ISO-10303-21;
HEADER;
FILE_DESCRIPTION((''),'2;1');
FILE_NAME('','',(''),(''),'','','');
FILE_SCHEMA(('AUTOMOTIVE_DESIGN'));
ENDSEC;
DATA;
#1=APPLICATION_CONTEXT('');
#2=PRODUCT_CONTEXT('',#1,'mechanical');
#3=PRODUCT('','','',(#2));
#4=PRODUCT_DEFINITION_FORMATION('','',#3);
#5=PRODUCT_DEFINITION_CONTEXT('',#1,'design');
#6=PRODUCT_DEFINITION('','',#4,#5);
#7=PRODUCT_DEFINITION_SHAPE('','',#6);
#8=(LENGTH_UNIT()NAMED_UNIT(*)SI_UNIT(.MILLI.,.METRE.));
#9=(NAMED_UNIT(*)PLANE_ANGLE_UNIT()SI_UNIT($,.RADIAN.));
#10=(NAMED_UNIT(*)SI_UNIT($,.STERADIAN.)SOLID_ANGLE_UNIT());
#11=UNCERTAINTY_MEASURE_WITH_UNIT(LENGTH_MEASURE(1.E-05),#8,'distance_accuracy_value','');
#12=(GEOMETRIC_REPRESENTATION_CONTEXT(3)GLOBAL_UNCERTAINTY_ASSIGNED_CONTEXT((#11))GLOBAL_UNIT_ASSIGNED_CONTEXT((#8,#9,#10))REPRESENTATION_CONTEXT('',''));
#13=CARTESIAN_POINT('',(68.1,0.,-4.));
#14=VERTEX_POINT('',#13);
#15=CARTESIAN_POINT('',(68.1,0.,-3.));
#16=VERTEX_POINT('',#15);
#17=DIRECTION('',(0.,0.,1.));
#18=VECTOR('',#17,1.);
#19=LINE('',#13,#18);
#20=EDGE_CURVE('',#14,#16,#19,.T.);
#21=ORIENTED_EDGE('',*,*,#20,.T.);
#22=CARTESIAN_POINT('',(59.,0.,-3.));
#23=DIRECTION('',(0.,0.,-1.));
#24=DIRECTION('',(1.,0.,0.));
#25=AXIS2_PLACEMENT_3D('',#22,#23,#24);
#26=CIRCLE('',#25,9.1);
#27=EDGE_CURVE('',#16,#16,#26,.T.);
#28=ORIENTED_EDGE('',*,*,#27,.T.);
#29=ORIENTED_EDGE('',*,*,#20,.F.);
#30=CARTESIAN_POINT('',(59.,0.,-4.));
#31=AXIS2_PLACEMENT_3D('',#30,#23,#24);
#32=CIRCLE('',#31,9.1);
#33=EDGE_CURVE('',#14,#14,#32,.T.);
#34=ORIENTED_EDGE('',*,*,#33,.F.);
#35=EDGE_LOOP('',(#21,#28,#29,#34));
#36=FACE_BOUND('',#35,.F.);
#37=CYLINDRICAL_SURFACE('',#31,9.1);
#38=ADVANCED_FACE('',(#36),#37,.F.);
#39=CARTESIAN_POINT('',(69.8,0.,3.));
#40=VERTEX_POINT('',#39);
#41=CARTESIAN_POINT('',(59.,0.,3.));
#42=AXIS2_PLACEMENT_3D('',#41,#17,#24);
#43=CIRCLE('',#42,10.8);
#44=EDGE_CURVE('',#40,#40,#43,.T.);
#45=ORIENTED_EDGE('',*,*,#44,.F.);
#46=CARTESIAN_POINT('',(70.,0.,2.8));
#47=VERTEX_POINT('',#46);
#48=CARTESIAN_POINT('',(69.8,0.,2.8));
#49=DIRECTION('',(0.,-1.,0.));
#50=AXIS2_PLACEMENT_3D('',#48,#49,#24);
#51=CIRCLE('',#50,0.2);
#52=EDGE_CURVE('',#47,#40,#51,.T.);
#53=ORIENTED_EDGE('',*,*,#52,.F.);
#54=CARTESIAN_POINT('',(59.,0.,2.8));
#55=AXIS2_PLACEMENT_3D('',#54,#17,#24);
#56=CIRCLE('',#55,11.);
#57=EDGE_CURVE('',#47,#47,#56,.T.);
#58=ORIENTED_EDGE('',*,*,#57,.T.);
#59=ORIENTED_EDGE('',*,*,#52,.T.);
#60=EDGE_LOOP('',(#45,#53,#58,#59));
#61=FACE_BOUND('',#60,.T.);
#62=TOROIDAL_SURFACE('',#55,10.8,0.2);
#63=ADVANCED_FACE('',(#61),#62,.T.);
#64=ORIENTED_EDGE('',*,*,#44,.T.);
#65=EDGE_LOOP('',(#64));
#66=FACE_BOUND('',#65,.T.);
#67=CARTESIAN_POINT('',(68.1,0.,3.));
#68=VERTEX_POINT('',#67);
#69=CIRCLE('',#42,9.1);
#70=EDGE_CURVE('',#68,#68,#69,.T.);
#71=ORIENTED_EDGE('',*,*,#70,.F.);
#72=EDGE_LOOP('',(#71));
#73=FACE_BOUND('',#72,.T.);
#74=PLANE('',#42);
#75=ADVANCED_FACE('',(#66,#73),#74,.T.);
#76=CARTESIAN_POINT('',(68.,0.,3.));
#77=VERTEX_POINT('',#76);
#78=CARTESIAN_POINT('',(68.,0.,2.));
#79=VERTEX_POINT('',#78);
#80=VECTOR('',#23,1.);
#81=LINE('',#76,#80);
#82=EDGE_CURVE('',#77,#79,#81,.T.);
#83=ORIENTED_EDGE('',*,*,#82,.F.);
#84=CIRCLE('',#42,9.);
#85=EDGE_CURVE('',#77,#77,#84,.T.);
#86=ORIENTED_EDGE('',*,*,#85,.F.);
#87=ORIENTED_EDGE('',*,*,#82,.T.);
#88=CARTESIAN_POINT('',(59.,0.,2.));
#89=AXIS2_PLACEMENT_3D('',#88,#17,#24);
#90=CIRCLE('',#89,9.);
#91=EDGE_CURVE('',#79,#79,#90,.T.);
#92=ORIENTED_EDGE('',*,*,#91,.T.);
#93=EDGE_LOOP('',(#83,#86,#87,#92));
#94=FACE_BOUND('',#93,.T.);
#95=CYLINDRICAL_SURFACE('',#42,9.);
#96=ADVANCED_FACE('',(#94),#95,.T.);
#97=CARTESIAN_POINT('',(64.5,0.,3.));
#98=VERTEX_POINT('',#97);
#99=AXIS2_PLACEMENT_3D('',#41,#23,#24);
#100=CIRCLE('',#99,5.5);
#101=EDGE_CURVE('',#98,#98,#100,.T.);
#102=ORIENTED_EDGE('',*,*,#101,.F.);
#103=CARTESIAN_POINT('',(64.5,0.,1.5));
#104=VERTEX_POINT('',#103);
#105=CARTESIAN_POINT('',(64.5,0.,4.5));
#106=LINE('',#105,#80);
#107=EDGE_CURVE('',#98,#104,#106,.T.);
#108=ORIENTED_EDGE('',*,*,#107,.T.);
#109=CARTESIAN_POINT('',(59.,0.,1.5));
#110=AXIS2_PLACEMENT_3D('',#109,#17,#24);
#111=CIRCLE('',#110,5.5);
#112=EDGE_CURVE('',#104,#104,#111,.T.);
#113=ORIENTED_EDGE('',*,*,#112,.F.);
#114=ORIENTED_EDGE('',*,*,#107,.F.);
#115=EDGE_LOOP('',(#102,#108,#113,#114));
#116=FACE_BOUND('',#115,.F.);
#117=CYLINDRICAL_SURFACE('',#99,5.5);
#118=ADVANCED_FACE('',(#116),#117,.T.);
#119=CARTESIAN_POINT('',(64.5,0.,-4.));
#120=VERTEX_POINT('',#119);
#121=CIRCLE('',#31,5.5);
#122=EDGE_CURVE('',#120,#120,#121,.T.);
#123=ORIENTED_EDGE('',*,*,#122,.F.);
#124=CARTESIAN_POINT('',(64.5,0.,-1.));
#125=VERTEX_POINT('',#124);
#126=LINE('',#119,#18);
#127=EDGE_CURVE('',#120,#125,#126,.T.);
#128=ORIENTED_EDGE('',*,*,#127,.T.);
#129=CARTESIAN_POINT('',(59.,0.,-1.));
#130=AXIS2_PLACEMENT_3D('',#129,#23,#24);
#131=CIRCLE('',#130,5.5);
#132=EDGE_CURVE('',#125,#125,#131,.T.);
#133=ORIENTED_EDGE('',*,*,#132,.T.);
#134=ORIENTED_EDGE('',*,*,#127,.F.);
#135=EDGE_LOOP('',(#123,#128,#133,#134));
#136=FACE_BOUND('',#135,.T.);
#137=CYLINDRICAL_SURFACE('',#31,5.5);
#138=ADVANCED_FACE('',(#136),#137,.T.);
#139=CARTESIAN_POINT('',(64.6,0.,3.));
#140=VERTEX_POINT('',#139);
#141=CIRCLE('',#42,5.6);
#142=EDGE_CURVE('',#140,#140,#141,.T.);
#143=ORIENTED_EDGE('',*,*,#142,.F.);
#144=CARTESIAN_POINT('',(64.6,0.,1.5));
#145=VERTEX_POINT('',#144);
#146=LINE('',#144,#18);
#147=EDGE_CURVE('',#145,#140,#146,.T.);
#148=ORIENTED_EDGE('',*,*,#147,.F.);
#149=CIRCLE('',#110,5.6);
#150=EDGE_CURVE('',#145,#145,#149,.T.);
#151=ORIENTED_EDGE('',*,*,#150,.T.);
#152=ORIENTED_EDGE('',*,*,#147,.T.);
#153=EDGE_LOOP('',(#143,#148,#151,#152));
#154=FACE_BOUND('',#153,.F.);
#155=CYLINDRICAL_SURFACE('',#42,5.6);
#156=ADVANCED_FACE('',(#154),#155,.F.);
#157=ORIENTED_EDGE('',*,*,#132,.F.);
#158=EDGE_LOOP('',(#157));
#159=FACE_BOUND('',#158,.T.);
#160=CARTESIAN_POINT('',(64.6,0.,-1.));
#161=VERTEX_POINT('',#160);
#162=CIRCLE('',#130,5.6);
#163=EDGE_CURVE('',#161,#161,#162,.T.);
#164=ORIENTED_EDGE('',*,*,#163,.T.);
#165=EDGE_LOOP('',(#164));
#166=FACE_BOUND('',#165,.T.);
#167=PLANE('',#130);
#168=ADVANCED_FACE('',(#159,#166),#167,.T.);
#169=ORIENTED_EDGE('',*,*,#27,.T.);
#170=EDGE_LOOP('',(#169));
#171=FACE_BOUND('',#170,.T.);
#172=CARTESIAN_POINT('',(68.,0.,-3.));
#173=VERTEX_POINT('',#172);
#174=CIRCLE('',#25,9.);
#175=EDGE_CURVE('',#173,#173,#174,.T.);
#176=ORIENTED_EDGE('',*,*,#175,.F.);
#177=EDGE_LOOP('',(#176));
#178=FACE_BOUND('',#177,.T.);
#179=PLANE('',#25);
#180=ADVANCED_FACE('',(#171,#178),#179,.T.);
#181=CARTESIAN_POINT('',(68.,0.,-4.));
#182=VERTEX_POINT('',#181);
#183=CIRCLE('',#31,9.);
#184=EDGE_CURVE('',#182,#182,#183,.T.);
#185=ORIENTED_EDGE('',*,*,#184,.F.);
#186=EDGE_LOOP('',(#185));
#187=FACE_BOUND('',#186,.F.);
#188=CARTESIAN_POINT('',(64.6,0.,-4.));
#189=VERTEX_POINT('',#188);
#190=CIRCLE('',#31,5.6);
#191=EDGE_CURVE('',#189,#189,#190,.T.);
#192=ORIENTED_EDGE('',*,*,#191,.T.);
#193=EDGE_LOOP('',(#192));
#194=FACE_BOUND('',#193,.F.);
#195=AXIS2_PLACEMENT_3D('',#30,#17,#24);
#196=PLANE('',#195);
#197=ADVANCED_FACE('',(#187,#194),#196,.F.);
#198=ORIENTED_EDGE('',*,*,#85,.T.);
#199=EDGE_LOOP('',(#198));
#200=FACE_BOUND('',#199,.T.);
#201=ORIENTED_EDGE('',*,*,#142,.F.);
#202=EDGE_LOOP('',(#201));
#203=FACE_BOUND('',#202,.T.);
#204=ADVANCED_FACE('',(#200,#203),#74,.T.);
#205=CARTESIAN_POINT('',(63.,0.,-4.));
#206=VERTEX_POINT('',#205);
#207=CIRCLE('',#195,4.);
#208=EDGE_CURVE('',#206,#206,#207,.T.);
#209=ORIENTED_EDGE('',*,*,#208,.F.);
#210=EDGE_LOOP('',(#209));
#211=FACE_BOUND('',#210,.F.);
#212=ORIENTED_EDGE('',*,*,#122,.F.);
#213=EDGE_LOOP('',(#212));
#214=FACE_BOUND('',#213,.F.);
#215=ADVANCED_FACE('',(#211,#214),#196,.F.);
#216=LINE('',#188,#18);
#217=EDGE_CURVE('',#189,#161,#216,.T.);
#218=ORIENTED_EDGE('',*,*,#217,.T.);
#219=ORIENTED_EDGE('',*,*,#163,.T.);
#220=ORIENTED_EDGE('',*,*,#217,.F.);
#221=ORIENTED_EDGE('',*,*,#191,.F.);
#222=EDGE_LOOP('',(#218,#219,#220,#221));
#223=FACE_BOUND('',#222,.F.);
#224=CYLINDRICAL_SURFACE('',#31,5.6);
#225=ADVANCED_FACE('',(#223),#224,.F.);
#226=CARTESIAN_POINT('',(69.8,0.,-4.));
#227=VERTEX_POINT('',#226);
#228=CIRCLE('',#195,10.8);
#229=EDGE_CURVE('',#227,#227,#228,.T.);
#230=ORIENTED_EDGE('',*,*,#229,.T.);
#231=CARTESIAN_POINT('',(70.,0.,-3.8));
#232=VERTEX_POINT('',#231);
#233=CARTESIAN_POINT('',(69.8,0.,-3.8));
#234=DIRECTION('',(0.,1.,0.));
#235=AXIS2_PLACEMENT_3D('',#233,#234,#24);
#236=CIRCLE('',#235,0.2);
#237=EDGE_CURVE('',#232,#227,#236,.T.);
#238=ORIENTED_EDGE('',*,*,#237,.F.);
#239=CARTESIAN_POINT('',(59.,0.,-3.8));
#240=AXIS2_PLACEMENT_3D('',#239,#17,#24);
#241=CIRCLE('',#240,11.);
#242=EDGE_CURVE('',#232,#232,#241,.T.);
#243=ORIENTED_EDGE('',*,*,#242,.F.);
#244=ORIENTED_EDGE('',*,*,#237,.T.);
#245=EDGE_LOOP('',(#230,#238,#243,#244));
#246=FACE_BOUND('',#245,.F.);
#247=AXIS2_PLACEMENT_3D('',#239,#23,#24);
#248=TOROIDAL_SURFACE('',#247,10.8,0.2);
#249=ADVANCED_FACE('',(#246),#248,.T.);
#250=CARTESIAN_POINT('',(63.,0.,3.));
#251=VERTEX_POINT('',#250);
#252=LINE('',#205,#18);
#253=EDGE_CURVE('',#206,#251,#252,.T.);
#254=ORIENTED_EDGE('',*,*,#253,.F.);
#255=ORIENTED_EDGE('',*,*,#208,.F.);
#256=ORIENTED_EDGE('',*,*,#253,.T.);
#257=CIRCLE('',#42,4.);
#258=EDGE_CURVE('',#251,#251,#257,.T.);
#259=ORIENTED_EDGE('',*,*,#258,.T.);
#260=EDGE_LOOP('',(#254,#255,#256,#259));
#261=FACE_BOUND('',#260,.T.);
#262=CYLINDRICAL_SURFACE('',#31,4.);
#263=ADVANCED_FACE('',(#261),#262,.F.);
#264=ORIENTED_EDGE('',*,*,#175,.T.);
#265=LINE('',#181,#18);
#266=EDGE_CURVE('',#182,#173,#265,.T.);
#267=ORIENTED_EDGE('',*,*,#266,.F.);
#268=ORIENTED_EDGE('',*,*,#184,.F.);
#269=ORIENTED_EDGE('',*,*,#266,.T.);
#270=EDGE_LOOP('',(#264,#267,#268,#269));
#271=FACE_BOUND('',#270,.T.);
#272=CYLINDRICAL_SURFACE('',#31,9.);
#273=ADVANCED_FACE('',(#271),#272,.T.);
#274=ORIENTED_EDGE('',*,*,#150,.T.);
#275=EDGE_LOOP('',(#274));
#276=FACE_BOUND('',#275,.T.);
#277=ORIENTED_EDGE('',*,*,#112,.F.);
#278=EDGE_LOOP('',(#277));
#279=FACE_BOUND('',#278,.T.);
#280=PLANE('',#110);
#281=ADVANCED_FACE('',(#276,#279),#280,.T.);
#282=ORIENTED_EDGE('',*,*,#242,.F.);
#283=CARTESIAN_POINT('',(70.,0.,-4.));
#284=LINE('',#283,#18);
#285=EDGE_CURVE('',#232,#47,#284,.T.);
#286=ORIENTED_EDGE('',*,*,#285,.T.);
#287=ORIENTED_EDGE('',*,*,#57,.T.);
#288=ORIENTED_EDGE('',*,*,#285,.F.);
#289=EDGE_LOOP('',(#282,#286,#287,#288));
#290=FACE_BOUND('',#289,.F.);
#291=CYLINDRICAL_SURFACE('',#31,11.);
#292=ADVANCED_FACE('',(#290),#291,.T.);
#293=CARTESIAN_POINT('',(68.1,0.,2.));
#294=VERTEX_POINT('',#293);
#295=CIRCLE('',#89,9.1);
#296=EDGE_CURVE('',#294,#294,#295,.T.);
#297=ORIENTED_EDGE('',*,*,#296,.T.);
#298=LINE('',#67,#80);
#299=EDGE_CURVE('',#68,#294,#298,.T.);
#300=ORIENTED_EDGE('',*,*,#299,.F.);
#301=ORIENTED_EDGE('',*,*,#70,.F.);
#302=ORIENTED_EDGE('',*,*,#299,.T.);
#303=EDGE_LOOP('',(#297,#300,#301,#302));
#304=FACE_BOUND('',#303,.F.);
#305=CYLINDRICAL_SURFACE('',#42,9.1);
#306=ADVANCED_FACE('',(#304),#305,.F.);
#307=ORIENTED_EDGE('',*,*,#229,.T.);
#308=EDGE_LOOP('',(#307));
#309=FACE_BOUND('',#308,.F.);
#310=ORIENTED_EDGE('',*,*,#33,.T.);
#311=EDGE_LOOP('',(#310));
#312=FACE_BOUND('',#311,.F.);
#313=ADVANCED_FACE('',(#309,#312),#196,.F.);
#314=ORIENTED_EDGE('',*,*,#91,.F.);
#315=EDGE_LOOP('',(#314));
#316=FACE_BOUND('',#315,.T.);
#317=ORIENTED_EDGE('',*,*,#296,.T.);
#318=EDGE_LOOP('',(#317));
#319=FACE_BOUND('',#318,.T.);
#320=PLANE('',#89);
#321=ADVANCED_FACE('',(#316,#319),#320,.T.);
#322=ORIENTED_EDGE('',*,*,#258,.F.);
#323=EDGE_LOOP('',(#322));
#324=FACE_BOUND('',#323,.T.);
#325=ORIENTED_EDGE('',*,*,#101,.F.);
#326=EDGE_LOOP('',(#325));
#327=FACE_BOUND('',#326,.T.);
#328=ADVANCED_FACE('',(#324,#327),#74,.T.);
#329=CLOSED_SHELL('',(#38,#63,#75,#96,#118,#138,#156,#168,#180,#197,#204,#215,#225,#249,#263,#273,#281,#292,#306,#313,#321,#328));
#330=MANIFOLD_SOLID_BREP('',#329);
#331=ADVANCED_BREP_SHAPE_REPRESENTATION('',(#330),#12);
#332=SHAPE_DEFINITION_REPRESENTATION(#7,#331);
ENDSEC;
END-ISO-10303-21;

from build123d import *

# Parameters (mm, degrees)
SKETCH009_R     = 11
SKETCH009_R_2   = 4
PAD003_DEPTH    = 7
SKETCH011_R     = 5.6
SKETCH011_R_2   = 5.5
POCKET004_DEPTH = 1.5
SKETCH010_R     = 5.6
SKETCH010_R_2   = 5.5
POCKET007_DEPTH = 3
SKETCH008_R     = 9.1
SKETCH008_R_2   = 9
POCKET006_DEPTH = 1
SKETCH007_R     = 9.1
SKETCH007_R_2   = 9
POCKET005_DEPTH = 1
FILLET001_R     = 0.2


with BuildPart() as part:
    # Sketch009 → Pad003 (new body)
    with BuildSketch(Plane.XY):
        Circle(SKETCH009_R)
        Circle(SKETCH009_R_2, mode=Mode.SUBTRACT)
    extrude(amount=PAD003_DEPTH)

    # Sketch011 (on Face4 of Pad003) → Pocket004 (cut, symmetric)
    with BuildSketch(Plane.XY.offset(7)):
        Circle(SKETCH011_R)
        Circle(SKETCH011_R_2, mode=Mode.SUBTRACT)
    extrude(amount=POCKET004_DEPTH, both=True, mode=Mode.SUBTRACT)

    # Sketch010 (on Face2 of Pocket004) → Pocket007 (cut)
    with BuildSketch(Plane(origin=(0, 0, 0), x_dir=(1, 0, 0), z_dir=(0, 0, -1))):
        Circle(SKETCH010_R)
        Circle(SKETCH010_R_2, mode=Mode.SUBTRACT)
    extrude(amount=-POCKET007_DEPTH, mode=Mode.SUBTRACT)

    # Sketch008 (on Face3 of Pocket007) → Pocket006 (cut)
    with BuildSketch(Plane.XY.offset(7)):
        Circle(SKETCH008_R)
        Circle(SKETCH008_R_2, mode=Mode.SUBTRACT)
    extrude(amount=-POCKET006_DEPTH, mode=Mode.SUBTRACT)

    # Sketch007 (on Face2 of Pocket006) → Pocket005 (cut)
    with BuildSketch(Plane(origin=(0, 0, 0), x_dir=(1, 0, 0), z_dir=(0, 0, -1))):
        Circle(SKETCH007_R)
        Circle(SKETCH007_R_2, mode=Mode.SUBTRACT)
    extrude(amount=-POCKET005_DEPTH, mode=Mode.SUBTRACT)

    # Fillet001
    fillet001_edges = [part.edges().sort_by_distance(p)[0] for p in [
        (-11, 0, 0),
        (-11, 0, 7),
    ]]
    fillet(fillet001_edges, radius=FILLET001_R)


with BuildPart() as part_1:
    # Body003 placement: moved
    add(part.part.moved(Location((59, 0, -4))))


solid = part_1.part
